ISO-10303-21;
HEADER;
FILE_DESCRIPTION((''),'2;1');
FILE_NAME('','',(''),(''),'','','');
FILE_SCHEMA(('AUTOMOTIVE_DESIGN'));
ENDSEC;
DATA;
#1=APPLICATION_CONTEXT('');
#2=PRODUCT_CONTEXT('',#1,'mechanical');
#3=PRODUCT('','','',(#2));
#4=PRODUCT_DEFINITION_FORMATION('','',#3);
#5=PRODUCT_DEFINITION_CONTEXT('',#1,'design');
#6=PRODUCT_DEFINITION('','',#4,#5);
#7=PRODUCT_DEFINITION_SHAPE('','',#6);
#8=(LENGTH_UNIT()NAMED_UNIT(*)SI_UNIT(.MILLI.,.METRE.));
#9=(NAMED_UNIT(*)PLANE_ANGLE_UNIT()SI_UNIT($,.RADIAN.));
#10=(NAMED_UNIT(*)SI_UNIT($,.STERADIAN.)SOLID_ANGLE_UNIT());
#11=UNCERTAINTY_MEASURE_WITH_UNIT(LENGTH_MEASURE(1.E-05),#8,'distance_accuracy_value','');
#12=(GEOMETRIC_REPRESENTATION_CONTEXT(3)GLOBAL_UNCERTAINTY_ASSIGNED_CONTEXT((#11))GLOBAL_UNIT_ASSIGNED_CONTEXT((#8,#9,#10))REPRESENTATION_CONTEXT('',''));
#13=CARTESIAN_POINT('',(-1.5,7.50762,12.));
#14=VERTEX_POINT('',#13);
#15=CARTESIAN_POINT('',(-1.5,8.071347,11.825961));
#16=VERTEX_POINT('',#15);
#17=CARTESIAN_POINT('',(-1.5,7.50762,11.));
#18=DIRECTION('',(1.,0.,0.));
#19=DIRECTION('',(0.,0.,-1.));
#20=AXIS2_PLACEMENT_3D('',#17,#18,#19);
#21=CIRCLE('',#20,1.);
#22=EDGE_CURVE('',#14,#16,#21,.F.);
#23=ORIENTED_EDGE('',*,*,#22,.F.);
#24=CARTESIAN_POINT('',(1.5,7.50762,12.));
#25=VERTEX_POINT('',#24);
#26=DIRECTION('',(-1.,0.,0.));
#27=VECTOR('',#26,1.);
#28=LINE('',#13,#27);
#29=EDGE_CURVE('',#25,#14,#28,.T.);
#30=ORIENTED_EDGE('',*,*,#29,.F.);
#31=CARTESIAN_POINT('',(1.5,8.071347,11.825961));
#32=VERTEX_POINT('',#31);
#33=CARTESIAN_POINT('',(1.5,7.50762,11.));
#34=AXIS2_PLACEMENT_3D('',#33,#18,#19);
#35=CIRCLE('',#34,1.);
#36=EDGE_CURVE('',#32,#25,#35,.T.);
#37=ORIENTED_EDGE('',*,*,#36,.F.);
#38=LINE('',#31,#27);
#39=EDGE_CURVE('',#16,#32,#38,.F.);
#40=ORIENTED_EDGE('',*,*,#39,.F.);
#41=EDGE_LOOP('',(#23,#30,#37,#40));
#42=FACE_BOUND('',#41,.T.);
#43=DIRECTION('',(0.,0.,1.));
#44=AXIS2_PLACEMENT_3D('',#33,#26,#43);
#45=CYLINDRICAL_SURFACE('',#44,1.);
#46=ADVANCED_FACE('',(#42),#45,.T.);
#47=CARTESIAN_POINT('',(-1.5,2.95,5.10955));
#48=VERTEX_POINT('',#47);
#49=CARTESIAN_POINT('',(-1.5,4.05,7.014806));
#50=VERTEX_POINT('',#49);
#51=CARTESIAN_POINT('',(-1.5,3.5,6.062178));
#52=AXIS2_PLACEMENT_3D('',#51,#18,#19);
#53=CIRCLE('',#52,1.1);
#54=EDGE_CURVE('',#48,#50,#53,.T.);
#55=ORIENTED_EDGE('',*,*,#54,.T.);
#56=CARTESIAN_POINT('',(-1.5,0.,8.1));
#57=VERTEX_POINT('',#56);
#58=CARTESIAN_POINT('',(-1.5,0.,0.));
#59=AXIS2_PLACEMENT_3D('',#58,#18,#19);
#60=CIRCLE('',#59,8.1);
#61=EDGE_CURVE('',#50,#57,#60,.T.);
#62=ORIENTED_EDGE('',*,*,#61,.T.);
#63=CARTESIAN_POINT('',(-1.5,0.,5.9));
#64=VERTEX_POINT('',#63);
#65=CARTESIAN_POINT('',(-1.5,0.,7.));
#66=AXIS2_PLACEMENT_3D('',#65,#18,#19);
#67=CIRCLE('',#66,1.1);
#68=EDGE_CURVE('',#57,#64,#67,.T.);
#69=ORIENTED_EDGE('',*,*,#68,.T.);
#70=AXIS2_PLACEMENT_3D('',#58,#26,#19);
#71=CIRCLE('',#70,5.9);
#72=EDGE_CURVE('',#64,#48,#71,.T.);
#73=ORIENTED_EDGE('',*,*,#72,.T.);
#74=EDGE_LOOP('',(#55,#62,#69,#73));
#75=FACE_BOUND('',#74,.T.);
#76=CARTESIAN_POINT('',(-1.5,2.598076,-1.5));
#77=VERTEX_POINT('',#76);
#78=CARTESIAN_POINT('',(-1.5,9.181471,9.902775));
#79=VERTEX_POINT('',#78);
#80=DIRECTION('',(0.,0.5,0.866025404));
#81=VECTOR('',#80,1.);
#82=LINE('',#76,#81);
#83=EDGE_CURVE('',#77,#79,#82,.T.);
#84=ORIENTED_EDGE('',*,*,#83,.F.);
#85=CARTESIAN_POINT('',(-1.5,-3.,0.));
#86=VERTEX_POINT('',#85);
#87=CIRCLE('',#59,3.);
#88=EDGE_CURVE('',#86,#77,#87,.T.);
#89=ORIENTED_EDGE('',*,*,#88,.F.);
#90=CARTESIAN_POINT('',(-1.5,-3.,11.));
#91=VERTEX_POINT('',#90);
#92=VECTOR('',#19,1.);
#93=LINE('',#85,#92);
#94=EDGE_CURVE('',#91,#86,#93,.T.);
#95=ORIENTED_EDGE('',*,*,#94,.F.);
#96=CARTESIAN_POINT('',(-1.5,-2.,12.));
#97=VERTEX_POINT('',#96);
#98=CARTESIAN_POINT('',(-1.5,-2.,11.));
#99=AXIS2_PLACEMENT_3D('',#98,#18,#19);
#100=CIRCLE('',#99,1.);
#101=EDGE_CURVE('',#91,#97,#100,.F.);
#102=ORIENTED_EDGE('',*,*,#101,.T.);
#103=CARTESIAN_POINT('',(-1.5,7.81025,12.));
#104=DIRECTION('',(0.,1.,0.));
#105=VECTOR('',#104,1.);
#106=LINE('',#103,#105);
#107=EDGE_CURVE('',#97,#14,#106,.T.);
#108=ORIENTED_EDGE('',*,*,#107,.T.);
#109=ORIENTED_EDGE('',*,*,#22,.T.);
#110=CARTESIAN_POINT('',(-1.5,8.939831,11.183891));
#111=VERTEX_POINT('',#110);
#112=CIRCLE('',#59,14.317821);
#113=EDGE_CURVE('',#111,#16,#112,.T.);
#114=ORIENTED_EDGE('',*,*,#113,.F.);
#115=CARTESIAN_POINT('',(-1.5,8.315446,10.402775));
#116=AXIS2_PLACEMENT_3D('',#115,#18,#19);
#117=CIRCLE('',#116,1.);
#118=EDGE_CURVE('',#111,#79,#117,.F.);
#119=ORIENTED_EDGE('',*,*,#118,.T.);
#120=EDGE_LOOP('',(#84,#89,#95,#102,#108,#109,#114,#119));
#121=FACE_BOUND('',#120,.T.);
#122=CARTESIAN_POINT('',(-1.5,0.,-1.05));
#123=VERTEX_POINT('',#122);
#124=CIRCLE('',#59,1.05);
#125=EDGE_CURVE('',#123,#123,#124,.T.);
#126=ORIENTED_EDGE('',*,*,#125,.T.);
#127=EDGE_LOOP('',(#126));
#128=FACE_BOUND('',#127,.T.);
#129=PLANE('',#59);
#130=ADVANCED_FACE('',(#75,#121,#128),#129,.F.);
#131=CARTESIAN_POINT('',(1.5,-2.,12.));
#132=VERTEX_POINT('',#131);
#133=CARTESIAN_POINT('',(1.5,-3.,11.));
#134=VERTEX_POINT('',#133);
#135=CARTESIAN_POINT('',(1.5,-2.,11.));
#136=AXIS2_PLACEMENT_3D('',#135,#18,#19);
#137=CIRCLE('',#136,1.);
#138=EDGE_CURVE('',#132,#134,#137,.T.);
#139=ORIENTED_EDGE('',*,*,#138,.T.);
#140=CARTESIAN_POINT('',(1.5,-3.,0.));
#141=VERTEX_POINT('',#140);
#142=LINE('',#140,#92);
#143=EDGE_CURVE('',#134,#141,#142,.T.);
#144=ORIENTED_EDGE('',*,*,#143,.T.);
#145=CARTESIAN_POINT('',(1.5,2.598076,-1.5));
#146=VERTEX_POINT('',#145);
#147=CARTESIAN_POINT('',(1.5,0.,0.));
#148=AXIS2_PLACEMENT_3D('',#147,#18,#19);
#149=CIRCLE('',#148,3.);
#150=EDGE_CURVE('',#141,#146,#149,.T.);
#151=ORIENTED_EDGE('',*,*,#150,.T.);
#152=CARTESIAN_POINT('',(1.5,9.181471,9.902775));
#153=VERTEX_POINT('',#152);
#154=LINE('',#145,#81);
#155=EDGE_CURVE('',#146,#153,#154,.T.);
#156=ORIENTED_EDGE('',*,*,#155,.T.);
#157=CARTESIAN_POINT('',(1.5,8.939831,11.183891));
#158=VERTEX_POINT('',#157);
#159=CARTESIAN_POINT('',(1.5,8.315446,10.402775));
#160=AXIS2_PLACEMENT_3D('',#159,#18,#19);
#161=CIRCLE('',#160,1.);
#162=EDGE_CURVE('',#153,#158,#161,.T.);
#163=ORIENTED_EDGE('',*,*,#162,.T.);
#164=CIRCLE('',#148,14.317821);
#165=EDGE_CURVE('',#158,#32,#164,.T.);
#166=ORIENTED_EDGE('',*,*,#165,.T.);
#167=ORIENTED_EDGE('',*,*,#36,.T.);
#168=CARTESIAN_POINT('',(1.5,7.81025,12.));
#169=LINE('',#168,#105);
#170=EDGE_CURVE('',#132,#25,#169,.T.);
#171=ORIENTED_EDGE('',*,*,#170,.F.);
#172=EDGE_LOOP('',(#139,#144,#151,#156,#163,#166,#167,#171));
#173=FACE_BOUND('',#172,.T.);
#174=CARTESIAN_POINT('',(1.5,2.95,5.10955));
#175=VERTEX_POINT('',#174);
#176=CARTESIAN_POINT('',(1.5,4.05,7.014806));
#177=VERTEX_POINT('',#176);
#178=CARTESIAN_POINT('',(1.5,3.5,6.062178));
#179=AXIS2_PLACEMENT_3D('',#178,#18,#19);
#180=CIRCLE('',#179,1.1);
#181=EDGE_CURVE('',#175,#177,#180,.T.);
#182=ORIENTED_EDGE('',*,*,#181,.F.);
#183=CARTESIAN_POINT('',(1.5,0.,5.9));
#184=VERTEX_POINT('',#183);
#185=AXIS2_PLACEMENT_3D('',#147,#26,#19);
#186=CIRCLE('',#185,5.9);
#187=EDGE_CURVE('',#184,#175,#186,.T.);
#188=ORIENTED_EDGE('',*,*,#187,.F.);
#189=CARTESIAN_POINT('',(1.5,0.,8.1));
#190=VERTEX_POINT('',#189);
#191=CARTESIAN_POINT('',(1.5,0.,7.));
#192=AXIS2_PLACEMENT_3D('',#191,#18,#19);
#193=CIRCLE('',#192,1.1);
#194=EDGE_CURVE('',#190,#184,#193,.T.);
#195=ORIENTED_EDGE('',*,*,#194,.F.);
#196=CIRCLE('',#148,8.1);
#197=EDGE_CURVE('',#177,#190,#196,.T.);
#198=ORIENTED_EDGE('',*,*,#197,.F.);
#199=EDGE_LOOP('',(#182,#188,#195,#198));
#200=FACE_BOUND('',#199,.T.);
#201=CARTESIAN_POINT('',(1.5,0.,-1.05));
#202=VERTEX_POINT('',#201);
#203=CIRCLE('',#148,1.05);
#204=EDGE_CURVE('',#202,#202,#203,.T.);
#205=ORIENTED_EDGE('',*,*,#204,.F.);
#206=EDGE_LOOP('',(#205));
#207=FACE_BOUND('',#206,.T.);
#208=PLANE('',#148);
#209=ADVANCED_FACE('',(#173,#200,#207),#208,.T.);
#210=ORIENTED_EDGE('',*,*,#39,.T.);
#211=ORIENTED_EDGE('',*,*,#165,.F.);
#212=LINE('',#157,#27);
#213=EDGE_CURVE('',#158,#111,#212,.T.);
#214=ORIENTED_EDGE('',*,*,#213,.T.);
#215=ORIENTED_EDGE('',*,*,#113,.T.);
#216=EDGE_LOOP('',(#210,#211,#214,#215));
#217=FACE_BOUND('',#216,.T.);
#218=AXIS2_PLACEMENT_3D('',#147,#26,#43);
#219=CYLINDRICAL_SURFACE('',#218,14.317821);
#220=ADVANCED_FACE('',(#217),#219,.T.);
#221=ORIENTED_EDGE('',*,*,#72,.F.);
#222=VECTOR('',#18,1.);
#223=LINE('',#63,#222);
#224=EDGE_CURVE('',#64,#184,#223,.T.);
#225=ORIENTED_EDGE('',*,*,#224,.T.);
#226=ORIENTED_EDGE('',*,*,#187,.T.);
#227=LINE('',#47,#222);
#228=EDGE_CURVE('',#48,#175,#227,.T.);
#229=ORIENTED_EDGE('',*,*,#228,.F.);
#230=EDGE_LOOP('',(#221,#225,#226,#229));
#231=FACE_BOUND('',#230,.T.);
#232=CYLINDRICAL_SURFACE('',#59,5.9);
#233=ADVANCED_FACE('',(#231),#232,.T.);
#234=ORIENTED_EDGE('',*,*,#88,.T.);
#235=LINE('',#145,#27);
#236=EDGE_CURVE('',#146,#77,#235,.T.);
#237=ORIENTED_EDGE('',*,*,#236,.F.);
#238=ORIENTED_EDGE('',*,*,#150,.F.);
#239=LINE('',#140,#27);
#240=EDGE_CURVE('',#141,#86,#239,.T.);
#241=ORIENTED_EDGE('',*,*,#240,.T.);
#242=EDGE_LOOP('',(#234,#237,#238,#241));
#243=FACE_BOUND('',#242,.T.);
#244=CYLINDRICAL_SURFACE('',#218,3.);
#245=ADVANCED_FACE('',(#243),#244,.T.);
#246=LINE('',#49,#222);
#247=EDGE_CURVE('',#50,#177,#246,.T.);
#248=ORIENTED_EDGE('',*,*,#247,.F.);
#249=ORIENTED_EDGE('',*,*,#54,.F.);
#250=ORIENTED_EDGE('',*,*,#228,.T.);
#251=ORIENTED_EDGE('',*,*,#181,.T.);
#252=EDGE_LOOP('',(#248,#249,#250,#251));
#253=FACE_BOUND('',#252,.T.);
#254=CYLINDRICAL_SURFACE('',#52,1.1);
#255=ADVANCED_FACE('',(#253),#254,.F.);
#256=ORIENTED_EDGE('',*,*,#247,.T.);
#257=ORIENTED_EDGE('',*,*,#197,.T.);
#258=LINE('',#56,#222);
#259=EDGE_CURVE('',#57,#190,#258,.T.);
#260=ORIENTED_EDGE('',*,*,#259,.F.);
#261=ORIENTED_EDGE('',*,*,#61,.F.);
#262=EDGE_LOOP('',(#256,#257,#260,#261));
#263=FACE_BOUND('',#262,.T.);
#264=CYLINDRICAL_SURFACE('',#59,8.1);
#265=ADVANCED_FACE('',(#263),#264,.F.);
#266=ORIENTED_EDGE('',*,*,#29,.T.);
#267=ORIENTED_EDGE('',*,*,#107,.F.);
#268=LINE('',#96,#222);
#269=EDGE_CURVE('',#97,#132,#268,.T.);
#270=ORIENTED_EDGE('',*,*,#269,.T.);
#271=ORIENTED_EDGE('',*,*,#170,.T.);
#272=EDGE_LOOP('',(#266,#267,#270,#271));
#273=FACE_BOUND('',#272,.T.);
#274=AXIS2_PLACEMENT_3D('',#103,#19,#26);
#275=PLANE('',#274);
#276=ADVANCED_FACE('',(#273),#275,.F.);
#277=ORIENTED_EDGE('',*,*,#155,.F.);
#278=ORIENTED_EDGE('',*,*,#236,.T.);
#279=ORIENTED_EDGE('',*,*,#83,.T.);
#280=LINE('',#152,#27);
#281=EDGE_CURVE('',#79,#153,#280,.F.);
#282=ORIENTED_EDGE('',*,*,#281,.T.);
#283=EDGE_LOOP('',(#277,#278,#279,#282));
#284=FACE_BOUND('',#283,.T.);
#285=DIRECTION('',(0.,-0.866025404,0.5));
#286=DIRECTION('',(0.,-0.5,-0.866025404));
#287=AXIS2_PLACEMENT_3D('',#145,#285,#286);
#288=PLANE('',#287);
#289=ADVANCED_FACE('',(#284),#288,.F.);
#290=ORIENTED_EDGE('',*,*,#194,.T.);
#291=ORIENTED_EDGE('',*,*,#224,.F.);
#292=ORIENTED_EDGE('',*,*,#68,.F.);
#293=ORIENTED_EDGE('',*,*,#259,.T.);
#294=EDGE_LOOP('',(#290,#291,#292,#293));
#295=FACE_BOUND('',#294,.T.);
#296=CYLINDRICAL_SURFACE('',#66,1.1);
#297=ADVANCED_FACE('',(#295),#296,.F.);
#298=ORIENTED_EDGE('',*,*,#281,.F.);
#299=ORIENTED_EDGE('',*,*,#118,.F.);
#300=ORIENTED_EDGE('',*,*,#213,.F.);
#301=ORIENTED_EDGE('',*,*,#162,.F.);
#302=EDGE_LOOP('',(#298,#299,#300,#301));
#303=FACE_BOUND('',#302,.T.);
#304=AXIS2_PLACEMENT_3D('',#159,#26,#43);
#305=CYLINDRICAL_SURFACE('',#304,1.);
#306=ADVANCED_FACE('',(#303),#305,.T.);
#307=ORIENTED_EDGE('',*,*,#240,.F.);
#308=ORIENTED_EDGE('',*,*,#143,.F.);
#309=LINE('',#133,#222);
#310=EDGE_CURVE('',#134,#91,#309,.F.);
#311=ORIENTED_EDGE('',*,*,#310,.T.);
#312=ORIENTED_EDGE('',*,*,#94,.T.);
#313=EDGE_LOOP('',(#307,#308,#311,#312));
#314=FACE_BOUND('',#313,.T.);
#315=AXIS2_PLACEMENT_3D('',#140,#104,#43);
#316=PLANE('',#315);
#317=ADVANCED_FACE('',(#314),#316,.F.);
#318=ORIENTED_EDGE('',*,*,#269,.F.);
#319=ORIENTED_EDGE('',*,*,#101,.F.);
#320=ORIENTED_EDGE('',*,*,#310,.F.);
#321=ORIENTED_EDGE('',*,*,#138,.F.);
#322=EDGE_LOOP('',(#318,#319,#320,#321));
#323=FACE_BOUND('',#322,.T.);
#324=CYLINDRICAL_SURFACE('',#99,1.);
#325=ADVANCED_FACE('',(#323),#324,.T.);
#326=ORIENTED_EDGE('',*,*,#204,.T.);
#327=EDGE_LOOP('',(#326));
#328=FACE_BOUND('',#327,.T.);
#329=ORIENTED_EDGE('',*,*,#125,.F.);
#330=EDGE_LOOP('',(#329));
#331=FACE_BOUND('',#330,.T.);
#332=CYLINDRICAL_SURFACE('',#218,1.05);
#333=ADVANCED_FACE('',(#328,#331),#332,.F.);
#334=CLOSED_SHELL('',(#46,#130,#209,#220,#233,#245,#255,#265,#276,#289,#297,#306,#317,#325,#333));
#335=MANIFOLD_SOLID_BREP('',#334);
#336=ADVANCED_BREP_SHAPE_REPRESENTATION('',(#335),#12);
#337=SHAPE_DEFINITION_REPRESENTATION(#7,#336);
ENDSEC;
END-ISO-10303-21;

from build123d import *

# Parameters (mm, degrees)
SKETCH_8_R          = 1.05
EXTRUDE_4_DEPTH     = 1.5
SKETCH_14_W         = 2.317821063
SKETCH_14_H         = 10.810249676
CUT_EXTRUDE_3_DEPTH = 4
CUT_EXTRUDE_5_DEPTH = 4
FILLET_3_R          = 1


with BuildPart() as part:
    # 草图8 → 凸台-拉伸4 (new body, symmetric)
    with BuildSketch(Plane(origin=(0, 0, 0), x_dir=(0, 0, -1), z_dir=(1, 0, 0))):
        with BuildLine():
            Line((1.5, 2.598076211), (-10.624355653, 9.598076211))
            ThreePointArc((-10.624355653, 9.598076211), (-13.829953141, 3.705724776), (-14, -3))
            Line((-14, -3), (0, -3))
            ThreePointArc((0, -3), (2.897777479, -0.776457135), (1.5, 2.598076211))
        make_face()
        Circle(SKETCH_8_R, mode=Mode.SUBTRACT)
    extrude(amount=EXTRUDE_4_DEPTH, both=True)

    # 草图14 → 切除-拉伸3 (cut, through all)
    with BuildSketch(Plane(origin=(1.5, 0, 0), x_dir=(0, 0, -1), z_dir=(1, 0, 0))):
        with Locations((-13.158910532, 2.405124838)):
            Rectangle(SKETCH_14_W, SKETCH_14_H)
    extrude(amount=-CUT_EXTRUDE_3_DEPTH, mode=Mode.SUBTRACT)

    # 草图17 → 切除-拉伸5 (cut, through all)
    with BuildSketch(Plane(origin=(1.5, 0, 0), x_dir=(0, 0, -1), z_dir=(1, 0, 0))):
        with BuildLine():
            ThreePointArc((-7.014805771, 4.05), (-7.823999193, 2.096434265), (-8.1, 0))
            ThreePointArc((-8.1, 0), (-7, -1.1), (-5.9, 0))
            ThreePointArc((-5.9, 0), (-5.698962375, 1.527032366), (-5.109549882, 2.95))
            ThreePointArc((-5.109549882, 2.95), (-5.512177826, 4.452627944), (-7.014805771, 4.05))
        make_face()
    extrude(amount=-CUT_EXTRUDE_5_DEPTH, mode=Mode.SUBTRACT)

    # 圆角3
    fillet_3_edges = [part.edges().sort_by_distance(p)[0] for p in [
        (0, -3, 12),
        (0, 7.810249676, 12),
        (0, 9.598076211, 10.624355653),
    ]]
    fillet(fillet_3_edges, radius=FILLET_3_R)


solid = part.part
